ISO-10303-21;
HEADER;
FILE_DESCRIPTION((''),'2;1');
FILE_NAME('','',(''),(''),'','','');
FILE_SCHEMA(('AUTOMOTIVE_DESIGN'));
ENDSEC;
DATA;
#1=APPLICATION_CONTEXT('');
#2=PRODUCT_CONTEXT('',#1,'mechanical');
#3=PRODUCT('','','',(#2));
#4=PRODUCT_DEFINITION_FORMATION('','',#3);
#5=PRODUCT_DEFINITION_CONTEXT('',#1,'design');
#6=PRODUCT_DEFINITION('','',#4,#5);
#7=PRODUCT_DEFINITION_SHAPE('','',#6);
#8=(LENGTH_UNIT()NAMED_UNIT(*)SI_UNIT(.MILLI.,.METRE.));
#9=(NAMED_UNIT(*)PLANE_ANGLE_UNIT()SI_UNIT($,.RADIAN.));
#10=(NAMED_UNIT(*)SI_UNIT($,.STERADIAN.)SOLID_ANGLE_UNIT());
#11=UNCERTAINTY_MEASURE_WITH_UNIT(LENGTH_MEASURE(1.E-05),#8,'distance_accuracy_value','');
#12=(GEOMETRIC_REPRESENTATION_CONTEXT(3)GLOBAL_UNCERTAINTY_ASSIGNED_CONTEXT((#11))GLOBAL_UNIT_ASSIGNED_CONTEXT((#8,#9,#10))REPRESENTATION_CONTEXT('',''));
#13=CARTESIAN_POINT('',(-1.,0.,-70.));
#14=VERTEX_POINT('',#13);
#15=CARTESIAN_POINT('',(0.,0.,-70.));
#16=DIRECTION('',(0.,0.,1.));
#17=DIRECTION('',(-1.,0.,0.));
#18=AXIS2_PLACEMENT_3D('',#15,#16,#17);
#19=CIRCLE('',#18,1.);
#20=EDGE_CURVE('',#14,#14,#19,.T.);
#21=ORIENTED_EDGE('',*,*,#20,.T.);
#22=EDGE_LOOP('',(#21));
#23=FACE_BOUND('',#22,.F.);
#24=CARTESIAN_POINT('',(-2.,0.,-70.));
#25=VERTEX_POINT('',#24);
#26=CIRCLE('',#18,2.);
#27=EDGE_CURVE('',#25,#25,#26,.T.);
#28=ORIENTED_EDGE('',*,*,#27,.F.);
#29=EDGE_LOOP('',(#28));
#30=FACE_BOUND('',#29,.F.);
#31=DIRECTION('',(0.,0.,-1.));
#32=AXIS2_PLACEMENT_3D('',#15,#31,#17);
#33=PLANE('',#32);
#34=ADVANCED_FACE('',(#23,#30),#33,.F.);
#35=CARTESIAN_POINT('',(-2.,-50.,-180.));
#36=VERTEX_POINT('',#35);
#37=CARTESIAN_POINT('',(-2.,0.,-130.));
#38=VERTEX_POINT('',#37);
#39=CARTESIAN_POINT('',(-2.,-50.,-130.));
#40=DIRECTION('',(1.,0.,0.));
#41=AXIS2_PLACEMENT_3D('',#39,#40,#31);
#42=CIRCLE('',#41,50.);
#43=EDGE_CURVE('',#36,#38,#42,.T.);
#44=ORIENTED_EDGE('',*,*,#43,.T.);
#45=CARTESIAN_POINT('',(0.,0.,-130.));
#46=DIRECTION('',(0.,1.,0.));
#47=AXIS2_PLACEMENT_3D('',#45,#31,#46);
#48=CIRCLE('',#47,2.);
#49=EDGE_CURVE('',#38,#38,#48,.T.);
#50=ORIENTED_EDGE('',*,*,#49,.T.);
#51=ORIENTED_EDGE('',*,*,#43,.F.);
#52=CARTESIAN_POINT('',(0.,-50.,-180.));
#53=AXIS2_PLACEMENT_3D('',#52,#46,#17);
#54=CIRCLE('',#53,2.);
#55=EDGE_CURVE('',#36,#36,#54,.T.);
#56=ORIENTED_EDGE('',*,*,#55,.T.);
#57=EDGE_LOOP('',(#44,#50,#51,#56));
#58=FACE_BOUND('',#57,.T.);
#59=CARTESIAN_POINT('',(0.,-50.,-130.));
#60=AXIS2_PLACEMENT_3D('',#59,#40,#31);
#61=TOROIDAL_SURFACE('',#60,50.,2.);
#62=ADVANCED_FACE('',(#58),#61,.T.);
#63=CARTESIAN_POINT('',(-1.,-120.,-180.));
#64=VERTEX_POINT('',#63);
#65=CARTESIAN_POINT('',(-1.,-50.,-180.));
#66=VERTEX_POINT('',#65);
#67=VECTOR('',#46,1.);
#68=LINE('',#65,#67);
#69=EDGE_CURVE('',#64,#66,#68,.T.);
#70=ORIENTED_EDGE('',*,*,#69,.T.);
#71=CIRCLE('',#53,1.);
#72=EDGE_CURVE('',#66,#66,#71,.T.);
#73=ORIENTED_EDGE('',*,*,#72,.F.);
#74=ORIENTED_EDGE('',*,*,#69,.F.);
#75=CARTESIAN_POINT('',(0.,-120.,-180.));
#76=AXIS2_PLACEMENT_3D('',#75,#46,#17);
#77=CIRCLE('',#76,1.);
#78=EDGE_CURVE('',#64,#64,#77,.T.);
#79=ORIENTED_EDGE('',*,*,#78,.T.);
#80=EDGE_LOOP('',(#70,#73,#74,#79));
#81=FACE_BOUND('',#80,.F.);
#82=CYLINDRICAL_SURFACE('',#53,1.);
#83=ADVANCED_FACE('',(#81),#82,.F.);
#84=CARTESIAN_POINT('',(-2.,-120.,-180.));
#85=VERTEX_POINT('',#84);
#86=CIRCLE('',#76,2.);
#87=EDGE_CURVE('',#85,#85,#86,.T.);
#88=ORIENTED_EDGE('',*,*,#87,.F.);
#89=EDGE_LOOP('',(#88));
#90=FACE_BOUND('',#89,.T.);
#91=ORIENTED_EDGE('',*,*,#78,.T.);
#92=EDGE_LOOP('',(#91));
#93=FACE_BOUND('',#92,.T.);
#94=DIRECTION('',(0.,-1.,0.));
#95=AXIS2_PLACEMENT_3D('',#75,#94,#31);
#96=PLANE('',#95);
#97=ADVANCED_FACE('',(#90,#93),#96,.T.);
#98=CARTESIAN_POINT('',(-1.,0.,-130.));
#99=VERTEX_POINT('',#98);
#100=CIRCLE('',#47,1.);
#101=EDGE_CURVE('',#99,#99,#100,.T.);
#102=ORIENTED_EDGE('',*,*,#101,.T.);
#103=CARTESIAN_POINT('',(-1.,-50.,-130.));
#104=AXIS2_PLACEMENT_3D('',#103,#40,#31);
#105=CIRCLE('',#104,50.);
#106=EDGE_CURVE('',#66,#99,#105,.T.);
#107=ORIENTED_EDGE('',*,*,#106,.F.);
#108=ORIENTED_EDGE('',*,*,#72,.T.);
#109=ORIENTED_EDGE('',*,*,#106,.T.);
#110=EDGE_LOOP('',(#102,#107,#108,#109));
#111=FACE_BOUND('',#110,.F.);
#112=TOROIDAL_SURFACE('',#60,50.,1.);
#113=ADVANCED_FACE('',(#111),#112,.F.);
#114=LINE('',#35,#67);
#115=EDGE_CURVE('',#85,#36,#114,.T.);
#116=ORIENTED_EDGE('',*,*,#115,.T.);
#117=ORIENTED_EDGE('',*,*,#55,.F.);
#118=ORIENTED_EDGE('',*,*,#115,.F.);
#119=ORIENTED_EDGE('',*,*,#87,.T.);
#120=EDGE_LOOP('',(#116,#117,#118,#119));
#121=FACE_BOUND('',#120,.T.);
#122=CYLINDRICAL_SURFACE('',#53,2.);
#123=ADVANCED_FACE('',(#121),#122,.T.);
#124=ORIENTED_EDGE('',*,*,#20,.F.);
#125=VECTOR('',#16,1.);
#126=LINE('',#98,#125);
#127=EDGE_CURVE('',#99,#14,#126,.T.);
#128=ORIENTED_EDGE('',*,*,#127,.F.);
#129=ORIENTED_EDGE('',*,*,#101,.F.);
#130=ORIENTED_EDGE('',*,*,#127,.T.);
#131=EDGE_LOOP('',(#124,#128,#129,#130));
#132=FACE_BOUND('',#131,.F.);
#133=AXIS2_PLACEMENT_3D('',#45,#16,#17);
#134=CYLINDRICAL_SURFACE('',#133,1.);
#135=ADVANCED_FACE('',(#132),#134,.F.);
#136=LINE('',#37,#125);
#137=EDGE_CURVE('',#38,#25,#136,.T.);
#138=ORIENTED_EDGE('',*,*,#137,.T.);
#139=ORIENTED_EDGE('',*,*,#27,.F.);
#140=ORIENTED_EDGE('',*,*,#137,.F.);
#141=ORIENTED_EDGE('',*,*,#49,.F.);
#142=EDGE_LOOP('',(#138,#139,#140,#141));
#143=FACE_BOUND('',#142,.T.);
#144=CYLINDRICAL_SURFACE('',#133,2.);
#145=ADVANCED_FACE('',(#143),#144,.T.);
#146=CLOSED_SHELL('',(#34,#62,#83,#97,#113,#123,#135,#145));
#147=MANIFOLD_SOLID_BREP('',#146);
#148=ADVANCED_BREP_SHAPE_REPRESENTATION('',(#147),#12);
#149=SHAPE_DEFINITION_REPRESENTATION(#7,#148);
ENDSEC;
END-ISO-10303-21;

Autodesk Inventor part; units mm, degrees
ref_plane "YZ Plane" through (0, 0, 0) normal (1, 0, 0) x (0, 1, 0)
ref_plane "XZ Plane" through (0, 0, 0) normal (0, 1, 0) x (-1, 0, 0)
ref_plane "XY Plane" through (0, 0, 0) normal (0, 0, 1) x (1, 0, 0)
ref_plane "РабПлоскость2" through (0, 0, -70) normal (0, 0, -1) x (-1, 0, 0)
sketch "Эскиз4" plane through (0, 0, 0) normal (1, 0, 0) x (0, 1, 0)
  line L0 (-2, -70) -> (2, -70)
  line L1 (-50, -180) -> (-120, -180)
  arc A0 (-50, -180) -> (0, -130) centre (-50, -130) ccw
  line L2 (0, -130) -> (0, -70)
  line L3 (2, -70) -> (-250, -70) construction
  dimension "d9" = 60
  dimension "d11" = 50
  dimension "d13" = 70
sketch "Эскиз5" plane through (0, 0, -70) normal (0, 0, -1) x (-1, 0, 0)
  circle A0 centre (0, 0) radius 1 projected
  circle A1 centre (0, 0) radius 2 projected
sweep "Сдвиг2" add profiles "Эскиз5" path "Эскиз4" path curves L2 A0 L1
properties part number "тефлон"
